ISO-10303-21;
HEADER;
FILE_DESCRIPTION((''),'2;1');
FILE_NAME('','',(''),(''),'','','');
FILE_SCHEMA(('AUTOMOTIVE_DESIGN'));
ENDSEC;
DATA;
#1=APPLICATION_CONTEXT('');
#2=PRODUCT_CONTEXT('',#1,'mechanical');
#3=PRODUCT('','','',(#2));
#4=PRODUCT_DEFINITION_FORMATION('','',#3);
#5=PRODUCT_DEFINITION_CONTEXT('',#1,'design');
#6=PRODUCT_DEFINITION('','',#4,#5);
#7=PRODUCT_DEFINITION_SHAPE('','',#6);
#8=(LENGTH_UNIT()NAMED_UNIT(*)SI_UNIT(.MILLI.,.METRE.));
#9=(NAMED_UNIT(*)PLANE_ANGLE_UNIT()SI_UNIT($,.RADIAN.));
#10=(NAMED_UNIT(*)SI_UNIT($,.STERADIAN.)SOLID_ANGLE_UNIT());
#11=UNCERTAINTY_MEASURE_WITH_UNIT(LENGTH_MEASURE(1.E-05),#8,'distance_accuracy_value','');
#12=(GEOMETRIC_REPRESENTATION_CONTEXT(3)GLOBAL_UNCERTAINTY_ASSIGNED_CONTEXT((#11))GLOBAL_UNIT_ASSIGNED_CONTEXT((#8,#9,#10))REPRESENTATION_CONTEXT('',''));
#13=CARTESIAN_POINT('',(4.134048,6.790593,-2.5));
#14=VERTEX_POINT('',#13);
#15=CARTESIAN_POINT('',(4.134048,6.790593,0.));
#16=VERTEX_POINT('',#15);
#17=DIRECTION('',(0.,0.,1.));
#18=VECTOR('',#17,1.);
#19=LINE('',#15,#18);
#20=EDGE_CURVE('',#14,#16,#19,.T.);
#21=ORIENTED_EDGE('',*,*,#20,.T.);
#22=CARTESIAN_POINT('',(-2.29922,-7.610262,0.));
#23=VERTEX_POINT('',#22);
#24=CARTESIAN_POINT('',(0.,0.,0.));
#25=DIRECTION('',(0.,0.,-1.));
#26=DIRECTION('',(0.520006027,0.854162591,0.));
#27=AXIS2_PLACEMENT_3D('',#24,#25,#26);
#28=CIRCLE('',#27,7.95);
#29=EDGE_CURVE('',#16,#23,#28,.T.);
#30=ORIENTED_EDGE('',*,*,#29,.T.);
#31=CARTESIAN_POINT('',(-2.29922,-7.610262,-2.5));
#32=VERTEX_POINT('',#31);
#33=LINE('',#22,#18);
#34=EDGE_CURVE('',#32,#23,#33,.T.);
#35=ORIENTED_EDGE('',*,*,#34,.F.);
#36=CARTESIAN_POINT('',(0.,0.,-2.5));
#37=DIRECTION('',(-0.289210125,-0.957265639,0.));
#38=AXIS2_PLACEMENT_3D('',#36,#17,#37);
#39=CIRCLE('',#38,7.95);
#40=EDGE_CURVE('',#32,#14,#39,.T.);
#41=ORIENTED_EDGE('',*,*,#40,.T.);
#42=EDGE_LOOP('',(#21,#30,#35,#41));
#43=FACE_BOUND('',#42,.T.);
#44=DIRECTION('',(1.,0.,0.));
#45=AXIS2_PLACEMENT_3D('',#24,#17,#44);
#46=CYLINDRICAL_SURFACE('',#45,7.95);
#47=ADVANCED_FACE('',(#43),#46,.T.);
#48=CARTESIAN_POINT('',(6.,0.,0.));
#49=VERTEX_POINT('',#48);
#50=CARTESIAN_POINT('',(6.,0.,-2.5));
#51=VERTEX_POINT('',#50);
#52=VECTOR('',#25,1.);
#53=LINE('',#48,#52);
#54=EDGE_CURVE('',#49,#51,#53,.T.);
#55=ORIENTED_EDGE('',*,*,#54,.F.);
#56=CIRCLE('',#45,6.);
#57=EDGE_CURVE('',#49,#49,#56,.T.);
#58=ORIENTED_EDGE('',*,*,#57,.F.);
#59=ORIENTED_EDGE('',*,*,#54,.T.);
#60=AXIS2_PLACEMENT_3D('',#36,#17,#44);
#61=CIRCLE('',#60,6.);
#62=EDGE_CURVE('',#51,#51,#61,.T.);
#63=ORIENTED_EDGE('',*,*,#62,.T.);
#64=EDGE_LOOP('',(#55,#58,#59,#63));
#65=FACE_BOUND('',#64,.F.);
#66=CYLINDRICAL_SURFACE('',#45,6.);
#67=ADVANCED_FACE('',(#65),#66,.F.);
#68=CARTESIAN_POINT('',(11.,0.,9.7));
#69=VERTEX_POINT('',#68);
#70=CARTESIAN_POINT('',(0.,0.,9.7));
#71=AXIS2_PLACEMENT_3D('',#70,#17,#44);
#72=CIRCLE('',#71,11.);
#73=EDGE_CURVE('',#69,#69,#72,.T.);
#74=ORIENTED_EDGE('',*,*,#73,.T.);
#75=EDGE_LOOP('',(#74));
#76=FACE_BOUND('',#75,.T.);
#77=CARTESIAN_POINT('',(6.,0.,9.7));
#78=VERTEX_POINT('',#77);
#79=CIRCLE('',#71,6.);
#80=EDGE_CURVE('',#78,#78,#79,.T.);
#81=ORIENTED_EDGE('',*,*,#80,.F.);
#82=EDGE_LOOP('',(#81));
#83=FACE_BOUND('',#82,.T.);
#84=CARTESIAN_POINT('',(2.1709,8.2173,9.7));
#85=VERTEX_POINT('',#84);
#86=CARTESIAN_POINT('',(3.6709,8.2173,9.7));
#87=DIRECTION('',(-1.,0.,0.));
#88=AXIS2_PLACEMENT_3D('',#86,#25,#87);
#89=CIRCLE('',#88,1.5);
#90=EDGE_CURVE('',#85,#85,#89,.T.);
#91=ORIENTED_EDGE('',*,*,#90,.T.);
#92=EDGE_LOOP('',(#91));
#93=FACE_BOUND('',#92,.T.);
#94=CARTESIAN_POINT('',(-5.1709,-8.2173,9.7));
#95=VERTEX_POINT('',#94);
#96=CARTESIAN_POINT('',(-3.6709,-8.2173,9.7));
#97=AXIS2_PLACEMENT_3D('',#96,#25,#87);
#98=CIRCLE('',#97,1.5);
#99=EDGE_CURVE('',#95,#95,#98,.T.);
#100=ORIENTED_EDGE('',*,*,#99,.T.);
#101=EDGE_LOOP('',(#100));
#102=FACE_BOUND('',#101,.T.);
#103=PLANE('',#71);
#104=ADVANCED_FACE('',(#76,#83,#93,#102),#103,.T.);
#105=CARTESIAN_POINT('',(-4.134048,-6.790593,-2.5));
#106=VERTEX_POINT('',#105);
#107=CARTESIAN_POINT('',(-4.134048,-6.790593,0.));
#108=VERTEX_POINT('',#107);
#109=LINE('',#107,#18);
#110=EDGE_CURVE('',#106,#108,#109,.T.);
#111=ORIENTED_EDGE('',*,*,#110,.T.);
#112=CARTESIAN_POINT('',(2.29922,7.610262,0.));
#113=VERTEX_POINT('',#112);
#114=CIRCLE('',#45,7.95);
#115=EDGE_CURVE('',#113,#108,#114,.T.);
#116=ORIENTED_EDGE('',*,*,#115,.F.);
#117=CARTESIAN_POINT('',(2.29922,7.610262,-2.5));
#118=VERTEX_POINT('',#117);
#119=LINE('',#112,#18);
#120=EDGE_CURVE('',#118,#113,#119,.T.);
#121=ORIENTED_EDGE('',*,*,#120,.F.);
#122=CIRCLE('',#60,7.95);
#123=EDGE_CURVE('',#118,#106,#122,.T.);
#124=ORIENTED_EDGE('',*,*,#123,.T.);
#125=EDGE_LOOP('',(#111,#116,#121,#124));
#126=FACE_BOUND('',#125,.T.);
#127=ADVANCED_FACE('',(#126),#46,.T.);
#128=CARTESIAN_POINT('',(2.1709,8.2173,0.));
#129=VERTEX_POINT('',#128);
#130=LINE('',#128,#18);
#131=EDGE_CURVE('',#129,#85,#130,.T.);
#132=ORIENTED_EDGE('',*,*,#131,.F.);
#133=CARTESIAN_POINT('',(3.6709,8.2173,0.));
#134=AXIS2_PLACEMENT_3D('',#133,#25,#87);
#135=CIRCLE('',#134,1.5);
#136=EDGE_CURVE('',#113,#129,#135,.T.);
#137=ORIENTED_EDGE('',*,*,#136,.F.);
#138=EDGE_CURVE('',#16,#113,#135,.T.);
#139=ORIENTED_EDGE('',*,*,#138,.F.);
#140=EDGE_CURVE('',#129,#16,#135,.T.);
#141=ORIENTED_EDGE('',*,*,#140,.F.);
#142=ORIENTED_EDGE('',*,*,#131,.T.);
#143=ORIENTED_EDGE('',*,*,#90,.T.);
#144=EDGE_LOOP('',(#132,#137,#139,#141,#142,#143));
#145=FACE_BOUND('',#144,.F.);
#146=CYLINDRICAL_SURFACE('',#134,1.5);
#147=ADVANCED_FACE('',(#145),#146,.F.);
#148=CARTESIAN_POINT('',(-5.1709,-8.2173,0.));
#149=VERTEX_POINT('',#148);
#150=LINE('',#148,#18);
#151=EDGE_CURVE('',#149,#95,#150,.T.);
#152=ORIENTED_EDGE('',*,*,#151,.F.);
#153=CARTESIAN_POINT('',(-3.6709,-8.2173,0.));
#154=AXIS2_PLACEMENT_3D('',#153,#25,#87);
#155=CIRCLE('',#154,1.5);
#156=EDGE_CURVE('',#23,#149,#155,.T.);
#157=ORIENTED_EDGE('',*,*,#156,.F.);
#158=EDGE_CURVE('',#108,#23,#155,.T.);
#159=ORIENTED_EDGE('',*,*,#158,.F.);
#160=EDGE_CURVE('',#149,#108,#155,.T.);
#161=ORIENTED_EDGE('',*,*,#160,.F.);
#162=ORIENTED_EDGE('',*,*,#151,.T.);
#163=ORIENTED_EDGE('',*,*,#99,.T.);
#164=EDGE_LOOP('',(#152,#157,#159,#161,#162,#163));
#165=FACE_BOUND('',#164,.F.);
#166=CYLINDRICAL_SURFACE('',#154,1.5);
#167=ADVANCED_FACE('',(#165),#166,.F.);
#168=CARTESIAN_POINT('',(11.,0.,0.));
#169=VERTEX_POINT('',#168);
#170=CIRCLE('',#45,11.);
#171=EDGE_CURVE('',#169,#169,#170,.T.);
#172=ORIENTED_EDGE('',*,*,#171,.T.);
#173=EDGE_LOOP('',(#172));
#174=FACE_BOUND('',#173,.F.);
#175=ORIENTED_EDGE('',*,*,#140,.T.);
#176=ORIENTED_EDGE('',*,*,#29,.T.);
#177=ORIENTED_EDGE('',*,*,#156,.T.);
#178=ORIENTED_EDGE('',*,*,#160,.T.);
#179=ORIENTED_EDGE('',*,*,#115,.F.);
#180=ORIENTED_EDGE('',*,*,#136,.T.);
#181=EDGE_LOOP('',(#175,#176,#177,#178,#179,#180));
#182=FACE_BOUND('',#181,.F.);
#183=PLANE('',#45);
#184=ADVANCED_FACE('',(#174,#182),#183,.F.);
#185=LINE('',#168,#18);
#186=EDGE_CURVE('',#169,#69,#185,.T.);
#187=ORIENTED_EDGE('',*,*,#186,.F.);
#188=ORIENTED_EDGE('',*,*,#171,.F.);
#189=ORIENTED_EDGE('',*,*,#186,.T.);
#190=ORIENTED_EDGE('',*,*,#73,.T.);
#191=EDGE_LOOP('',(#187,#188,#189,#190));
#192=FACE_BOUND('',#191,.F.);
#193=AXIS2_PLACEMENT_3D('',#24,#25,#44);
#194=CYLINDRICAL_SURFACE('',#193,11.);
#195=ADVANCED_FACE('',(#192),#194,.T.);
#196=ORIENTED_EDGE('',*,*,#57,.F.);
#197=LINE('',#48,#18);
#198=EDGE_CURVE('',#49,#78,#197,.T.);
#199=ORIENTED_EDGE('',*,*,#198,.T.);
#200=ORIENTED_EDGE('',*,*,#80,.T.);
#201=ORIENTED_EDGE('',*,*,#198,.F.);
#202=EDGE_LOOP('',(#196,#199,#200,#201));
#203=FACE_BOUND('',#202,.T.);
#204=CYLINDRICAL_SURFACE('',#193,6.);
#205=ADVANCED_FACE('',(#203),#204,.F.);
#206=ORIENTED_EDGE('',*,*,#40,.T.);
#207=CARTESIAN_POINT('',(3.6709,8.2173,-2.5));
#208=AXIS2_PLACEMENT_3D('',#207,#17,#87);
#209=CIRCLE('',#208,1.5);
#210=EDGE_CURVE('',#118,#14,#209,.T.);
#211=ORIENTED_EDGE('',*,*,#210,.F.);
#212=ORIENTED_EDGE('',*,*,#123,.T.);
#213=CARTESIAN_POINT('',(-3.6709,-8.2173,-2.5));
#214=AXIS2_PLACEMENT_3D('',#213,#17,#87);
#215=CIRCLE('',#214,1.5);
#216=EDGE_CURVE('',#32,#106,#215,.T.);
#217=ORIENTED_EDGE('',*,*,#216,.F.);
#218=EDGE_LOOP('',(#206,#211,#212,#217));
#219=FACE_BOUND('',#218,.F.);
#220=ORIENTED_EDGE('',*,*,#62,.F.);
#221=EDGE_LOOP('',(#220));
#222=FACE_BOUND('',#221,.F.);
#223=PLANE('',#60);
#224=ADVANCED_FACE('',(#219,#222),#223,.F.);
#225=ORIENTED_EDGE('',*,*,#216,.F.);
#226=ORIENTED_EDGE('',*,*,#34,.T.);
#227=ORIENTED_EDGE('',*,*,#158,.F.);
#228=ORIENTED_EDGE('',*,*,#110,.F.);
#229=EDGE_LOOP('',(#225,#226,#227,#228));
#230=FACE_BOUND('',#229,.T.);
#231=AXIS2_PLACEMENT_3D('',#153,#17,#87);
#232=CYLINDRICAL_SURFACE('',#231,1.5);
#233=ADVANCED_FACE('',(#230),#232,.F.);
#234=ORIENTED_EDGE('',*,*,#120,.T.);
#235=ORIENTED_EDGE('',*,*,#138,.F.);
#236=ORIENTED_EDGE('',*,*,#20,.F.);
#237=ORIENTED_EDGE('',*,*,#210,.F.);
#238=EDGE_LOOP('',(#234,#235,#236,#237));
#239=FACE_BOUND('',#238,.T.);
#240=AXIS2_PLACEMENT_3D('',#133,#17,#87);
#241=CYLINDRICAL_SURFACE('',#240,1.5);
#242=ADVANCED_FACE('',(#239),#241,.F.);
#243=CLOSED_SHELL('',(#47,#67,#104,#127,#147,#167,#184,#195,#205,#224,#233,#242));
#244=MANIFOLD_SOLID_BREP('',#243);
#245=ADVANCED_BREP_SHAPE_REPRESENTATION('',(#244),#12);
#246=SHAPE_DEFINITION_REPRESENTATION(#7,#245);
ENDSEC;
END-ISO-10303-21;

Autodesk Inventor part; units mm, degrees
ref_plane "YZ Plane" through (0, 0, 0) normal (1, 0, 0) x (0, 1, 0)
ref_plane "XZ Plane" through (0, 0, 0) normal (0, 1, 0) x (-1, 0, 0)
ref_plane "XY Plane" through (0, 0, 0) normal (0, 0, 1) x (1, 0, 0)
sketch "Эскиз1" plane through (0, 0, 0) normal (0, 0, 1) x (1, 0, 0)
  circle A0 centre (0, 0) radius 7.95
  circle A1 centre (0, 0) radius 11
  circle A2 centre (0, 0) radius 6
  dimension "d0" = 15.9
  dimension "d1" = 22
  dimension "d2" = 12
extrude "Выдавливание1" add sketch "Эскиз1" against normal blind 2.5 contours A0
extrude "Выдавливание2" add sketch "Эскиз1" along normal blind 9.7 contours A0 | A1
sketch "Эскиз2" plane through (0, 0, 0) normal (0, 0, -1) x (-1, 0, 0)
  circle A0 centre (3.6709, -8.2173) radius 1.5 projected
  circle A1 centre (-3.6709, 8.2173) radius 1.5 projected
  circle A2 centre (3.6709, -8.2173) radius 1.5
  circle A3 centre (-3.6709, 8.2173) radius 1.5
  point P0 (0, 0)
  dimension "d7" = 3
  dimension "d8" = 3
extrude "Выдавливание3" cut sketch "Эскиз2" along normal mid plane 30
properties part number "factory barrier adapter"
